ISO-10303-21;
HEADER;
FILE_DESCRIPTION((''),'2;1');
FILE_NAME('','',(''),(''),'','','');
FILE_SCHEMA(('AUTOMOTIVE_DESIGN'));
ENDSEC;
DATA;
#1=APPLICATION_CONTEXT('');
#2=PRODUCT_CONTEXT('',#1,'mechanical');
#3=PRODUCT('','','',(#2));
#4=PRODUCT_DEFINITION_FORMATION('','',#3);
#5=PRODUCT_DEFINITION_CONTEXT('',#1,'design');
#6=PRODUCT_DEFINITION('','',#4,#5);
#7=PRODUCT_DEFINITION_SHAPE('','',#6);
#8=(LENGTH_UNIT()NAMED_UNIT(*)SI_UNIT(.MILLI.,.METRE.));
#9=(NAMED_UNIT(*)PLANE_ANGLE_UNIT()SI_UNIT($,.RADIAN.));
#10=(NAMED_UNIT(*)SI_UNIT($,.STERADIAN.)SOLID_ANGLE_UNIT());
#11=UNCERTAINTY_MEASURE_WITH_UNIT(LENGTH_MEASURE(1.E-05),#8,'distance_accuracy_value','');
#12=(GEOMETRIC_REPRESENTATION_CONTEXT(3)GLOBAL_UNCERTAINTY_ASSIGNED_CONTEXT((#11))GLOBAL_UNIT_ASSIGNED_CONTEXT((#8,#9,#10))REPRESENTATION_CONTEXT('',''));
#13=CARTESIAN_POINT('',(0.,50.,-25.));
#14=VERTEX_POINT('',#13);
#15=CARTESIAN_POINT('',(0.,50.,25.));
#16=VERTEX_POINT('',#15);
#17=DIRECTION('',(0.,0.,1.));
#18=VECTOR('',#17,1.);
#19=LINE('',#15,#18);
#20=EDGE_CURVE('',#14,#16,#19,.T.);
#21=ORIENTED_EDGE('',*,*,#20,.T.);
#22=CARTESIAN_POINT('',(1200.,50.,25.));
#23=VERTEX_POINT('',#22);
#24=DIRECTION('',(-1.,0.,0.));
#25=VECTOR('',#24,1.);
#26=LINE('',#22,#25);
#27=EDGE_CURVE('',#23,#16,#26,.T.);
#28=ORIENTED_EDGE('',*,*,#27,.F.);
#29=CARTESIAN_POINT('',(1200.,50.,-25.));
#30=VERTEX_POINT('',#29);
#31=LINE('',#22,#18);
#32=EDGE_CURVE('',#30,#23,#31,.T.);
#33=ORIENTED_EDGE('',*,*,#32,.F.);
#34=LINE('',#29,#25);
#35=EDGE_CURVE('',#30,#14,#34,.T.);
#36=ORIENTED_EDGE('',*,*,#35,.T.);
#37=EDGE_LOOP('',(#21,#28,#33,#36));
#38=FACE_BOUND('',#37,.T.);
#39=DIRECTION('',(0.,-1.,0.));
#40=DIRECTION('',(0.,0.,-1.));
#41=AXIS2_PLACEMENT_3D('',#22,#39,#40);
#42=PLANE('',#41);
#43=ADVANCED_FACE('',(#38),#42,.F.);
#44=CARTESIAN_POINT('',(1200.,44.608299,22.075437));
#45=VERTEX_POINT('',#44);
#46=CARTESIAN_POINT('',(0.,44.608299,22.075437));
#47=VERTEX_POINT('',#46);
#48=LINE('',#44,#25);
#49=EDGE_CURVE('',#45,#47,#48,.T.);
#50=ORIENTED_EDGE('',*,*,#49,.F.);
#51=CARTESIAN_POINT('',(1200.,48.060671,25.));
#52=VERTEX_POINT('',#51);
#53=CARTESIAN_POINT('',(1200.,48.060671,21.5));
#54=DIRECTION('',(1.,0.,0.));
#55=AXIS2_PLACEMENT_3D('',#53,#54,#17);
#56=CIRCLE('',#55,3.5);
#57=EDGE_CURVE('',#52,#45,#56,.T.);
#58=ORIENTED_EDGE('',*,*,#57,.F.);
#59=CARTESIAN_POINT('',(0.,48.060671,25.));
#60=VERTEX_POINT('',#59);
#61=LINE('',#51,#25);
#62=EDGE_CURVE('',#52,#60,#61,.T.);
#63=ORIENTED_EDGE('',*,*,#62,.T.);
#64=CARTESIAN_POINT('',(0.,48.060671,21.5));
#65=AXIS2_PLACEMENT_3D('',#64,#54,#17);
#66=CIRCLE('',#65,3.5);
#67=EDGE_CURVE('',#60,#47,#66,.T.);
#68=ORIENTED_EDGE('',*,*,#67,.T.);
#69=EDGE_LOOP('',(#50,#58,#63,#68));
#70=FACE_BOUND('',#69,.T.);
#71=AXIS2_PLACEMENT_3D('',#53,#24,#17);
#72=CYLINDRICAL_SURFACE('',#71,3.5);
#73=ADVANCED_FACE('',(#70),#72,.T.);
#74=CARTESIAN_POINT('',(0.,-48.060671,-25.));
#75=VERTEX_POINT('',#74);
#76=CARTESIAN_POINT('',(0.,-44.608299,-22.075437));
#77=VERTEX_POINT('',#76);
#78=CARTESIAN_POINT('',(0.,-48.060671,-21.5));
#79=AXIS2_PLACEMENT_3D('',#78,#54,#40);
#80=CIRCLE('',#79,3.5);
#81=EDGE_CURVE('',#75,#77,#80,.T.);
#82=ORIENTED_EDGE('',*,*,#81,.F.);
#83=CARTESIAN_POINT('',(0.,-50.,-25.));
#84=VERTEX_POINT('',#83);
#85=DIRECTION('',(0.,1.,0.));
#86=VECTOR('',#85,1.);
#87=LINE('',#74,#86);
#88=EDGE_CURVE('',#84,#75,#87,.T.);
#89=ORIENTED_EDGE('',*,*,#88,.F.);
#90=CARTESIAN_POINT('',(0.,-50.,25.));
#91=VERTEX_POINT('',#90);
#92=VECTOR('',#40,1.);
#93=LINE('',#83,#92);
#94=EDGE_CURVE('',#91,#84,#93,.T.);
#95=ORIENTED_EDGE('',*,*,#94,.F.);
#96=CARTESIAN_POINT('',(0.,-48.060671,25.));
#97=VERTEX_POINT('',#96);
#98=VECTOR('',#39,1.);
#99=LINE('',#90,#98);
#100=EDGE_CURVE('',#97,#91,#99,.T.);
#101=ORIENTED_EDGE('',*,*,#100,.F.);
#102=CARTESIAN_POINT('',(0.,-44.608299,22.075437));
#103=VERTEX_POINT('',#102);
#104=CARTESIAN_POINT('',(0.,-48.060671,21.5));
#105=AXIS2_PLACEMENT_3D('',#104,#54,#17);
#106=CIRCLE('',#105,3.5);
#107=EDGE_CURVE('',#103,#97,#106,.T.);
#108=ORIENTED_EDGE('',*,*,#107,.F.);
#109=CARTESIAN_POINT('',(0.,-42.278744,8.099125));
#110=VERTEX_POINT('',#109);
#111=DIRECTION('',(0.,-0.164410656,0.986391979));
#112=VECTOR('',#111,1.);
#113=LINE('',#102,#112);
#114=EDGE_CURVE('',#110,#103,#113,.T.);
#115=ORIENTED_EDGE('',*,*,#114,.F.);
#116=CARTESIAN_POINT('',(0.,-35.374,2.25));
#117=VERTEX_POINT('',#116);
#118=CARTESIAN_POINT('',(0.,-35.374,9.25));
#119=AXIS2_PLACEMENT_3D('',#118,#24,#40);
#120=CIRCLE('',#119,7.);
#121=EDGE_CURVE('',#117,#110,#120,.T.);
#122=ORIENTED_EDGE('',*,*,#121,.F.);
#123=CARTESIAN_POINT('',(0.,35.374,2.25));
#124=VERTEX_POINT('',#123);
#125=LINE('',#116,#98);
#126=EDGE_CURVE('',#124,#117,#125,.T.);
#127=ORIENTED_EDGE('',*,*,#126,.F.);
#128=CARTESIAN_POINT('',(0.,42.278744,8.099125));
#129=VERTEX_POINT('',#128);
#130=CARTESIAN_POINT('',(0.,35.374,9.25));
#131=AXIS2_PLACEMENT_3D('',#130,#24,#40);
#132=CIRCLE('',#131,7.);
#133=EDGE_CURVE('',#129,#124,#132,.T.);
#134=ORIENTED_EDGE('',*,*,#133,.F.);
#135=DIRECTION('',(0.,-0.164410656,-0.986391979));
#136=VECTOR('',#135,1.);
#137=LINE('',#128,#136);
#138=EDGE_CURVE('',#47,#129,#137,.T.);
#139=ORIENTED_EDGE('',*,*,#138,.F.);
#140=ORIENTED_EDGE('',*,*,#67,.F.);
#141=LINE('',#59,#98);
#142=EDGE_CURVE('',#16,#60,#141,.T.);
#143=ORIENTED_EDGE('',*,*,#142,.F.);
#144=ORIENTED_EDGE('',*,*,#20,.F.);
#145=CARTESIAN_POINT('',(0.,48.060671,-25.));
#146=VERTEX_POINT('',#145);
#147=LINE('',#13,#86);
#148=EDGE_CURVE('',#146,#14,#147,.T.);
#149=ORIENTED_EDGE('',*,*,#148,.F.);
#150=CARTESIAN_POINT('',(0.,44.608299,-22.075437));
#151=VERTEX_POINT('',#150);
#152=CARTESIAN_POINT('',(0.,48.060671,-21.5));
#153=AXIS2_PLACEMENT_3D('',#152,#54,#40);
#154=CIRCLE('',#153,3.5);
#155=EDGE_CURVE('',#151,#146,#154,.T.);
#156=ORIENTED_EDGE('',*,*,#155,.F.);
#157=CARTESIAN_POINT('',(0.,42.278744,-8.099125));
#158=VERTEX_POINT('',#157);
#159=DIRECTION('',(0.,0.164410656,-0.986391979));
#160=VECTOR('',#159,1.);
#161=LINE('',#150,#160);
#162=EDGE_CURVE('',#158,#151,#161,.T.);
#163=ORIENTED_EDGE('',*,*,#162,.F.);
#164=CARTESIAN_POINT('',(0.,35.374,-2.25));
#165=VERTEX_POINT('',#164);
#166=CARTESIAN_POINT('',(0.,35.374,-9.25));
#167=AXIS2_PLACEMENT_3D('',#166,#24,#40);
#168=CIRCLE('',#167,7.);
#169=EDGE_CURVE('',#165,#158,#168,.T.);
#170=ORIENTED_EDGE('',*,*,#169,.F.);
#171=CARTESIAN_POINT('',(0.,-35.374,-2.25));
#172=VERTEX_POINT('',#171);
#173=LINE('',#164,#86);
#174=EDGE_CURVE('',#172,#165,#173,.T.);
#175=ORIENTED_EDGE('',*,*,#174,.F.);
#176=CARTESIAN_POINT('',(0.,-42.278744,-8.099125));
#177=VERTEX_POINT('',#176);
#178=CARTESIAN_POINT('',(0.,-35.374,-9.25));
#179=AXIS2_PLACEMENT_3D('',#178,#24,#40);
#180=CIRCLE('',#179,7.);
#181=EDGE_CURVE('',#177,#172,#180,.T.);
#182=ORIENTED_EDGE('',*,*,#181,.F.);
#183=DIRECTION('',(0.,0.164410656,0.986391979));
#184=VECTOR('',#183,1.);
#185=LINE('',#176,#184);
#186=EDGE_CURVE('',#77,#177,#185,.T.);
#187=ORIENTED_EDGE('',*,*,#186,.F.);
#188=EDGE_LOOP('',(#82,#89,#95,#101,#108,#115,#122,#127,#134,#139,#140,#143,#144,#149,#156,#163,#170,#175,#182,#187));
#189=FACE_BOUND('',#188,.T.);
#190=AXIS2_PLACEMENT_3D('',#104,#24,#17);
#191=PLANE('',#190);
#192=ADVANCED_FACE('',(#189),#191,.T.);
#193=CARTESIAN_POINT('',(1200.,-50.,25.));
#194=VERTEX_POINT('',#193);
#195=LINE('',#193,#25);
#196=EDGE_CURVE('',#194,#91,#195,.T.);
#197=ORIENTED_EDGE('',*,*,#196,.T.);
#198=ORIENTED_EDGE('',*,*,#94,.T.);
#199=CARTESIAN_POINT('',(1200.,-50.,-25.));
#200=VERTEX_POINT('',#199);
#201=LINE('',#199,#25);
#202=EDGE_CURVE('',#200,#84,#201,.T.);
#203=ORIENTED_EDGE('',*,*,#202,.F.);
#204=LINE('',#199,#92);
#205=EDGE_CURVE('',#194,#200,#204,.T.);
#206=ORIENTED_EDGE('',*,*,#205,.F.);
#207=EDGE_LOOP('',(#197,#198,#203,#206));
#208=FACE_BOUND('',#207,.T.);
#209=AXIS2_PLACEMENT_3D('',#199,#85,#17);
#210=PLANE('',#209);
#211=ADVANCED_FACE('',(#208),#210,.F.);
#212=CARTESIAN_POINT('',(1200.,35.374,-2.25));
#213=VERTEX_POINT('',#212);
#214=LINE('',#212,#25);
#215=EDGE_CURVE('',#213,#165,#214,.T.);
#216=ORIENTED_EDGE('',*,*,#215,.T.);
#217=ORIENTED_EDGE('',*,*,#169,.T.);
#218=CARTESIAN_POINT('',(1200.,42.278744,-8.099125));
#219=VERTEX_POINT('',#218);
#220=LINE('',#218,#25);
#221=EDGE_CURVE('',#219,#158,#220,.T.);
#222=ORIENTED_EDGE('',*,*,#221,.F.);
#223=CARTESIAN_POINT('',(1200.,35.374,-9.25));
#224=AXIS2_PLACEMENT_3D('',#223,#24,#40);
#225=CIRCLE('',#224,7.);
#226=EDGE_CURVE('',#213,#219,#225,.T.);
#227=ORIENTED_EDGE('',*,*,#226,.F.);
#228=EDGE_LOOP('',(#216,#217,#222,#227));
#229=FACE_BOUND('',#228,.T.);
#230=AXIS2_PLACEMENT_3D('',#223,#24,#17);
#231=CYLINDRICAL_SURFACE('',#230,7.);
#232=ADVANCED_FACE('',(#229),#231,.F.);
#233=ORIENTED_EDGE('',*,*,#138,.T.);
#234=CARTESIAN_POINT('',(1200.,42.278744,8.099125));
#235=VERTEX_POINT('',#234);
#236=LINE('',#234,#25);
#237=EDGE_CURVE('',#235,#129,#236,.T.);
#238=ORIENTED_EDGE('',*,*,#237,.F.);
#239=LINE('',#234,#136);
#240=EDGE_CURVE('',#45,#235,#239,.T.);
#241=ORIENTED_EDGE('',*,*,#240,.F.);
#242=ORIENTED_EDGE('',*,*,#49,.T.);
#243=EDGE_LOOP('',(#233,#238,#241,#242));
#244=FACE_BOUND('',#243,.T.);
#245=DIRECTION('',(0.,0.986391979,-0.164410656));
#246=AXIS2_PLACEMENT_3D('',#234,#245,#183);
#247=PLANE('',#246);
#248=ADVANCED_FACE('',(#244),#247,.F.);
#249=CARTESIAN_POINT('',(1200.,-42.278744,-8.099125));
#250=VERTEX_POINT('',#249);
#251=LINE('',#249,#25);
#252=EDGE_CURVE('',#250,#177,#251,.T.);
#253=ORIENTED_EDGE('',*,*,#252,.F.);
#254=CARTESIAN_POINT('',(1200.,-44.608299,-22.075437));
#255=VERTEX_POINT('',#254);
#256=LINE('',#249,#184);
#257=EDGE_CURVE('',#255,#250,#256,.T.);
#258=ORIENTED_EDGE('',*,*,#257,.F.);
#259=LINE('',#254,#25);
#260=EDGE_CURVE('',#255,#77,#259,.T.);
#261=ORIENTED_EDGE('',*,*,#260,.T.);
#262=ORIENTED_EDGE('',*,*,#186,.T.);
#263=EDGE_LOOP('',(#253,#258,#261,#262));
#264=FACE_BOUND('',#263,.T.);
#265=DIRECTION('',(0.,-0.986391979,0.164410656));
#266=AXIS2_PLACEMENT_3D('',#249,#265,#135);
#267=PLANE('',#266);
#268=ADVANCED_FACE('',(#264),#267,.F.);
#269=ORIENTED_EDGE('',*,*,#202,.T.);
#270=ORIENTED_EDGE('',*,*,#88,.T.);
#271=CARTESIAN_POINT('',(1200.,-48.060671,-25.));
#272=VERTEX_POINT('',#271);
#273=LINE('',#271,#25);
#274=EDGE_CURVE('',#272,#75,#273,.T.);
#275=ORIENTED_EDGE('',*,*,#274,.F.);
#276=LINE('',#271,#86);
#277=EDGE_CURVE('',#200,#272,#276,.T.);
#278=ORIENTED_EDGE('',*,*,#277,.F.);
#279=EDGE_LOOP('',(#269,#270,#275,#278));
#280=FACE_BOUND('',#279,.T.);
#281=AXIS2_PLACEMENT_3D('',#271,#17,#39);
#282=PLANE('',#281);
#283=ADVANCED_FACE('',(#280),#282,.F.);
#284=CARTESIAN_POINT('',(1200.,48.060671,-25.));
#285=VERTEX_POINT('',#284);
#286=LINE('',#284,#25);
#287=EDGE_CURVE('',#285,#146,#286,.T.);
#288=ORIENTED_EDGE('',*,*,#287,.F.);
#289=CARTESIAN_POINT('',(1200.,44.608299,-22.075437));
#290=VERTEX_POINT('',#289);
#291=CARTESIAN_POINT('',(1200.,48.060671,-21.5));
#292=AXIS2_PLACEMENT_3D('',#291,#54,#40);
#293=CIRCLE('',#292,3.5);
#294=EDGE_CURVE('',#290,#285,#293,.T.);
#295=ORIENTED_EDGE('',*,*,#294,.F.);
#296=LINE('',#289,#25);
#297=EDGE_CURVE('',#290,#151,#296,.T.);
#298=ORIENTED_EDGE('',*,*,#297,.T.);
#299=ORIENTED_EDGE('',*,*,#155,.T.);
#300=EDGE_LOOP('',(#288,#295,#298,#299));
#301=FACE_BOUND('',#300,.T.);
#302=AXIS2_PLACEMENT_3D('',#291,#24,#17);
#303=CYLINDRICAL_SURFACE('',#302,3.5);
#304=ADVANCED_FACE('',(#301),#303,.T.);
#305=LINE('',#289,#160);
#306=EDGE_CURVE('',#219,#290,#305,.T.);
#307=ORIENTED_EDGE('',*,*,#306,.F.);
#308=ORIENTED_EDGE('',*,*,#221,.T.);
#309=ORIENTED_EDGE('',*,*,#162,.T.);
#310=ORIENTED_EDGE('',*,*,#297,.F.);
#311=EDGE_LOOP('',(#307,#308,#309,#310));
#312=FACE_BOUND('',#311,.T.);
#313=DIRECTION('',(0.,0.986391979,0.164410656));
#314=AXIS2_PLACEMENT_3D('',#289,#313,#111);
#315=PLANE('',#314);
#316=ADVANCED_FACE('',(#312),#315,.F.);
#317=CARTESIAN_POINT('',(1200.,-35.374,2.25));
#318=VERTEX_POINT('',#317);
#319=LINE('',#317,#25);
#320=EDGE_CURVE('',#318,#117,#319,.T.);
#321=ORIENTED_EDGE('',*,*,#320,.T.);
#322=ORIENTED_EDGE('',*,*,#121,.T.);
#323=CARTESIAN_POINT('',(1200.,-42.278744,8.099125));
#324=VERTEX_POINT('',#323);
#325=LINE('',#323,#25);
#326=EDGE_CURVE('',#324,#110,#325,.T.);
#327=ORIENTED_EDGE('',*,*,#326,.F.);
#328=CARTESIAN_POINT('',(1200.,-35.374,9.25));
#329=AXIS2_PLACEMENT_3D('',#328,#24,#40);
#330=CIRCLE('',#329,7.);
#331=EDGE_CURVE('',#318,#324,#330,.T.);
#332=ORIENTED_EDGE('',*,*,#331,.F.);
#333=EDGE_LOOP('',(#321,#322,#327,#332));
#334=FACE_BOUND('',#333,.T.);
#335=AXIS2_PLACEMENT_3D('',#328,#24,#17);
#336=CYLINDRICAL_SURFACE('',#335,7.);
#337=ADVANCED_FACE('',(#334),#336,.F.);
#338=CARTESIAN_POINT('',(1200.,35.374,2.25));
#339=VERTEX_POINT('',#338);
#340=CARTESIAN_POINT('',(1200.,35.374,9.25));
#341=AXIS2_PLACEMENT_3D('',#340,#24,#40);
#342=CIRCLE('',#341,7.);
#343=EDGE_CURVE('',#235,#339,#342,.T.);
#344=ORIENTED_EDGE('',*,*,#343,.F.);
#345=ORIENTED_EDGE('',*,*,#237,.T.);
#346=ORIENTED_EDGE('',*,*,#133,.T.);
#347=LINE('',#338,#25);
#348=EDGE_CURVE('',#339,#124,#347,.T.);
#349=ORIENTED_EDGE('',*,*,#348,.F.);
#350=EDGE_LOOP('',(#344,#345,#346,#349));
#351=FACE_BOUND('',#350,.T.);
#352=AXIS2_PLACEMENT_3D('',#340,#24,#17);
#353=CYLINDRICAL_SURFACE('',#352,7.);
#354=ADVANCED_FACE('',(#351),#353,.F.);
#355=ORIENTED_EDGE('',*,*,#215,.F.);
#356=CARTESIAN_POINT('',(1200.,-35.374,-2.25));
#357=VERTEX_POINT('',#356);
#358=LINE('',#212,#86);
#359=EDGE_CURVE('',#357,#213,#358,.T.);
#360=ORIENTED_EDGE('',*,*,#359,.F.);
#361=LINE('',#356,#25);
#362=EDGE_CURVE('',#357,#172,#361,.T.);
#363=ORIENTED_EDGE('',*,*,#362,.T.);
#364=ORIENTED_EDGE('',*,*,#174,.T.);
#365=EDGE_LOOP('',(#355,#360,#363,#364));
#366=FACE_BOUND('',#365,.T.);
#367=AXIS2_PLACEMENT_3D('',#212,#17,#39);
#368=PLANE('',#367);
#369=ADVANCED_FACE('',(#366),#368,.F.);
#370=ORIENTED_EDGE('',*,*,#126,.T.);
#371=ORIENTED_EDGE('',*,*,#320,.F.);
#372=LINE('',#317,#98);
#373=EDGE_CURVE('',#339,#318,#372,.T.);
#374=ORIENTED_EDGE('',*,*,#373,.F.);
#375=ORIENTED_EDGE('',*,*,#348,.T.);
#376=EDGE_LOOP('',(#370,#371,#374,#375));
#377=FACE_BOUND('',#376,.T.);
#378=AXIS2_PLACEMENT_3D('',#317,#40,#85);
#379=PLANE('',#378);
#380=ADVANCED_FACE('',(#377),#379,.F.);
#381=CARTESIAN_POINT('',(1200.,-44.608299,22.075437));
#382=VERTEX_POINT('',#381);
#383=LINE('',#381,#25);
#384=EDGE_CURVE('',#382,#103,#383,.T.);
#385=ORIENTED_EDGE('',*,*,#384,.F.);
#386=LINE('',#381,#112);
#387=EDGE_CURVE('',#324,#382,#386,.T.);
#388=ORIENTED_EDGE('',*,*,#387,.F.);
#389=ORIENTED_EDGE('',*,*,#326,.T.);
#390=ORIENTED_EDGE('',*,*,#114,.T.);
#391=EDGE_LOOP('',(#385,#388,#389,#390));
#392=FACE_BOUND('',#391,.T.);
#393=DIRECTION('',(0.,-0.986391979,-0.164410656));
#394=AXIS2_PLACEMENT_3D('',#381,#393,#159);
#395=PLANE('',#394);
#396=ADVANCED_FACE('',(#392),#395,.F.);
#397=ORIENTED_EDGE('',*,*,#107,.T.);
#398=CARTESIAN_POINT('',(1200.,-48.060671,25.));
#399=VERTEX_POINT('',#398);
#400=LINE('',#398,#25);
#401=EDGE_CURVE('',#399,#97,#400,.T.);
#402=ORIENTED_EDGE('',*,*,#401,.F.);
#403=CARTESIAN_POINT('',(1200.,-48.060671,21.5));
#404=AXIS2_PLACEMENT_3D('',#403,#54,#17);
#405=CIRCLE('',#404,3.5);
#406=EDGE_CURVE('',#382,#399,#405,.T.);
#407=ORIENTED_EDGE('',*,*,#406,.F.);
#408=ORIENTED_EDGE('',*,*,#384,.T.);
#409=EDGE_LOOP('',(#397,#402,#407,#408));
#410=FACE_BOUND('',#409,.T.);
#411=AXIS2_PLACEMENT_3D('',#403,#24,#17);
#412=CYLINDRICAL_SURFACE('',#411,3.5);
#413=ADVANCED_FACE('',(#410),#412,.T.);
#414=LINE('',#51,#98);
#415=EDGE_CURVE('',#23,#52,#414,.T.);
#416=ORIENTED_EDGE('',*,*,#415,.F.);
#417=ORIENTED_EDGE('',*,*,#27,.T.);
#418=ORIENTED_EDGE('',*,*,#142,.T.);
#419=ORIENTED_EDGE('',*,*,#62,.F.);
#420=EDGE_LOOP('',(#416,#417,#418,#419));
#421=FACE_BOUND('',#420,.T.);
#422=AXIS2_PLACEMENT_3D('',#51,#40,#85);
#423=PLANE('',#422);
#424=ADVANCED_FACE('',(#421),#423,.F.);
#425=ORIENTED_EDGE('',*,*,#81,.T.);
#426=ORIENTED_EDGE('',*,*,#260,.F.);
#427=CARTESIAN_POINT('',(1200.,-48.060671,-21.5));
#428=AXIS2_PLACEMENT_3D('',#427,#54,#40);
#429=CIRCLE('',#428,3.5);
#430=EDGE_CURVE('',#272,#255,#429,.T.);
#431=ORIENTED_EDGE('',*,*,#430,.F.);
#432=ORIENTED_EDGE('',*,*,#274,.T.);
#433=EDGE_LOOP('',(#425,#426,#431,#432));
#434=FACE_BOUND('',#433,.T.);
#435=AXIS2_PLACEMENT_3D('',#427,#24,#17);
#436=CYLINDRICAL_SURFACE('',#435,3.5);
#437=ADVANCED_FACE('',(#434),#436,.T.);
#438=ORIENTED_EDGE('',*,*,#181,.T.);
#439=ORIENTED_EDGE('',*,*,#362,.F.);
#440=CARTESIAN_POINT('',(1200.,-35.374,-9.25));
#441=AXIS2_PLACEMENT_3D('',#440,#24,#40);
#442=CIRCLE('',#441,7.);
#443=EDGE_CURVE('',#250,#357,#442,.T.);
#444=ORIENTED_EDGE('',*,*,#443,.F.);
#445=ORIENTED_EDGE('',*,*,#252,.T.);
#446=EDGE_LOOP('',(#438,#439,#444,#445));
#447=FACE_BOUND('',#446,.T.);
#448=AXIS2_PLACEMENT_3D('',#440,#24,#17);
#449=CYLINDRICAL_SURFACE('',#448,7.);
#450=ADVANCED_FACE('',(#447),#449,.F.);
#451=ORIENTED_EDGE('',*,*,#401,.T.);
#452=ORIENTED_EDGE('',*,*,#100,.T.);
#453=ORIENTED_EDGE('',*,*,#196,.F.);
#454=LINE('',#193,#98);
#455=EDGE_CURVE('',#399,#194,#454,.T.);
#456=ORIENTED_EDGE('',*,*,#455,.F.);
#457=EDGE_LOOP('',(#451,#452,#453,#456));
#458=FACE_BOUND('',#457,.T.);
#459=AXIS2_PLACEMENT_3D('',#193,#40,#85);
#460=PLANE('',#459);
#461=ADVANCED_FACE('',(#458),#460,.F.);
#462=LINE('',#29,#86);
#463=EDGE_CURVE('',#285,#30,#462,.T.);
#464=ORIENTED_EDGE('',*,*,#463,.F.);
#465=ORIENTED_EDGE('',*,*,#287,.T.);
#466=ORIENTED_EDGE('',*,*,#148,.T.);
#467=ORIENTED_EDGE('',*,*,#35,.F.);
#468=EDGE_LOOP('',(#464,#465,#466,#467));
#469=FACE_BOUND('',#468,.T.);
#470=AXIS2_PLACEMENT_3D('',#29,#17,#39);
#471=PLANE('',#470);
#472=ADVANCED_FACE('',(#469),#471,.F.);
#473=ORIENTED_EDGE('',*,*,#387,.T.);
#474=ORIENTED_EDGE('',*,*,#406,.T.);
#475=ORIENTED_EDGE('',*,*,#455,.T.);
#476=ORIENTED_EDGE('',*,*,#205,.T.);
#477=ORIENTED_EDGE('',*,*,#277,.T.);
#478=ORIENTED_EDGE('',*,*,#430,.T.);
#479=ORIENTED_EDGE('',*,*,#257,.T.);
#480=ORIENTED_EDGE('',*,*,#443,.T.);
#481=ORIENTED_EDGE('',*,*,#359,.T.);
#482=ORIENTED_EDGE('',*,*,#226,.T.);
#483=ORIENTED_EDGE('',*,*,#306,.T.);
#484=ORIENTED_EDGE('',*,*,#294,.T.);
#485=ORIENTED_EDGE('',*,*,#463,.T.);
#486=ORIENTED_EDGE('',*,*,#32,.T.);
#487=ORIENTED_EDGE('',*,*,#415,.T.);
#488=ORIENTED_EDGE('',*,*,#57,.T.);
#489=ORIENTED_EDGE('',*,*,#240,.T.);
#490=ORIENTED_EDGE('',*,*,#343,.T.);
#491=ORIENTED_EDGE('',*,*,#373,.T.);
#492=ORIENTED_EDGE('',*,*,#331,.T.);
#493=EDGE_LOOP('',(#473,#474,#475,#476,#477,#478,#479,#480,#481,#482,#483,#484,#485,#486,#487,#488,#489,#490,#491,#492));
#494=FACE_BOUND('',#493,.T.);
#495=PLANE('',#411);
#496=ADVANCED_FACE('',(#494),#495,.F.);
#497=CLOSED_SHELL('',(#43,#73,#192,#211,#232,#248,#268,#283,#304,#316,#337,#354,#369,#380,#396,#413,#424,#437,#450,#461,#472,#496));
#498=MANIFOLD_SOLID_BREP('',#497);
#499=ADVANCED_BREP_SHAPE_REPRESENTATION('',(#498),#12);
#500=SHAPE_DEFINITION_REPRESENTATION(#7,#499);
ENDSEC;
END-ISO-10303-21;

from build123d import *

# Parameters (mm, degrees)
SB_BEAM_100_X_8_1_DEPTH = 1200


with BuildPart() as part:
    # Sketch11 → Sb beam 100 X 8(1) (new body)
    with BuildSketch(Plane(origin=(0, 0, 0), x_dir=(0, 0, -1), z_dir=(1, 0, 0))):
        with BuildLine():
            Line((-25, -50), (-25, -48.060671023))
            ThreePointArc((-25, -48.060671023), (-24.17058332, -45.798374682), (-22.075437296, -44.608299096))
            Line((-22.075437296, -44.608299096), (-8.099125408, -42.278743853))
            ThreePointArc((-8.099125408, -42.278743853), (-3.90883336, -39.898592681), (-2.25, -35.374))
            Line((-2.25, -35.374), (-2.25, 35.374))
            ThreePointArc((-2.25, 35.374), (-3.90883336, 39.898592681), (-8.099125408, 42.278743853))
            Line((-8.099125408, 42.278743853), (-22.075437296, 44.608299096))
            ThreePointArc((-22.075437296, 44.608299096), (-24.17058332, 45.798374682), (-25, 48.060671023))
            Line((-25, 48.060671023), (-25, 50))
            Line((-25, 50), (25, 50))
            Line((25, 50), (25, 48.060671023))
            ThreePointArc((25, 48.060671023), (24.17058332, 45.798374682), (22.075437296, 44.608299096))
            Line((22.075437296, 44.608299096), (8.099125408, 42.278743853))
            ThreePointArc((8.099125408, 42.278743853), (3.90883336, 39.898592681), (2.25, 35.374))
            Line((2.25, 35.374), (2.25, -35.374))
            ThreePointArc((2.25, -35.374), (3.90883336, -39.898592681), (8.099125408, -42.278743853))
            Line((8.099125408, -42.278743853), (22.075437296, -44.608299096))
            ThreePointArc((22.075437296, -44.608299096), (24.17058332, -45.798374682), (25, -48.060671023))
            Line((25, -48.060671023), (25, -50))
            Line((25, -50), (-25, -50))
        make_face()
    extrude(amount=SB_BEAM_100_X_8_1_DEPTH)


solid = part.part
